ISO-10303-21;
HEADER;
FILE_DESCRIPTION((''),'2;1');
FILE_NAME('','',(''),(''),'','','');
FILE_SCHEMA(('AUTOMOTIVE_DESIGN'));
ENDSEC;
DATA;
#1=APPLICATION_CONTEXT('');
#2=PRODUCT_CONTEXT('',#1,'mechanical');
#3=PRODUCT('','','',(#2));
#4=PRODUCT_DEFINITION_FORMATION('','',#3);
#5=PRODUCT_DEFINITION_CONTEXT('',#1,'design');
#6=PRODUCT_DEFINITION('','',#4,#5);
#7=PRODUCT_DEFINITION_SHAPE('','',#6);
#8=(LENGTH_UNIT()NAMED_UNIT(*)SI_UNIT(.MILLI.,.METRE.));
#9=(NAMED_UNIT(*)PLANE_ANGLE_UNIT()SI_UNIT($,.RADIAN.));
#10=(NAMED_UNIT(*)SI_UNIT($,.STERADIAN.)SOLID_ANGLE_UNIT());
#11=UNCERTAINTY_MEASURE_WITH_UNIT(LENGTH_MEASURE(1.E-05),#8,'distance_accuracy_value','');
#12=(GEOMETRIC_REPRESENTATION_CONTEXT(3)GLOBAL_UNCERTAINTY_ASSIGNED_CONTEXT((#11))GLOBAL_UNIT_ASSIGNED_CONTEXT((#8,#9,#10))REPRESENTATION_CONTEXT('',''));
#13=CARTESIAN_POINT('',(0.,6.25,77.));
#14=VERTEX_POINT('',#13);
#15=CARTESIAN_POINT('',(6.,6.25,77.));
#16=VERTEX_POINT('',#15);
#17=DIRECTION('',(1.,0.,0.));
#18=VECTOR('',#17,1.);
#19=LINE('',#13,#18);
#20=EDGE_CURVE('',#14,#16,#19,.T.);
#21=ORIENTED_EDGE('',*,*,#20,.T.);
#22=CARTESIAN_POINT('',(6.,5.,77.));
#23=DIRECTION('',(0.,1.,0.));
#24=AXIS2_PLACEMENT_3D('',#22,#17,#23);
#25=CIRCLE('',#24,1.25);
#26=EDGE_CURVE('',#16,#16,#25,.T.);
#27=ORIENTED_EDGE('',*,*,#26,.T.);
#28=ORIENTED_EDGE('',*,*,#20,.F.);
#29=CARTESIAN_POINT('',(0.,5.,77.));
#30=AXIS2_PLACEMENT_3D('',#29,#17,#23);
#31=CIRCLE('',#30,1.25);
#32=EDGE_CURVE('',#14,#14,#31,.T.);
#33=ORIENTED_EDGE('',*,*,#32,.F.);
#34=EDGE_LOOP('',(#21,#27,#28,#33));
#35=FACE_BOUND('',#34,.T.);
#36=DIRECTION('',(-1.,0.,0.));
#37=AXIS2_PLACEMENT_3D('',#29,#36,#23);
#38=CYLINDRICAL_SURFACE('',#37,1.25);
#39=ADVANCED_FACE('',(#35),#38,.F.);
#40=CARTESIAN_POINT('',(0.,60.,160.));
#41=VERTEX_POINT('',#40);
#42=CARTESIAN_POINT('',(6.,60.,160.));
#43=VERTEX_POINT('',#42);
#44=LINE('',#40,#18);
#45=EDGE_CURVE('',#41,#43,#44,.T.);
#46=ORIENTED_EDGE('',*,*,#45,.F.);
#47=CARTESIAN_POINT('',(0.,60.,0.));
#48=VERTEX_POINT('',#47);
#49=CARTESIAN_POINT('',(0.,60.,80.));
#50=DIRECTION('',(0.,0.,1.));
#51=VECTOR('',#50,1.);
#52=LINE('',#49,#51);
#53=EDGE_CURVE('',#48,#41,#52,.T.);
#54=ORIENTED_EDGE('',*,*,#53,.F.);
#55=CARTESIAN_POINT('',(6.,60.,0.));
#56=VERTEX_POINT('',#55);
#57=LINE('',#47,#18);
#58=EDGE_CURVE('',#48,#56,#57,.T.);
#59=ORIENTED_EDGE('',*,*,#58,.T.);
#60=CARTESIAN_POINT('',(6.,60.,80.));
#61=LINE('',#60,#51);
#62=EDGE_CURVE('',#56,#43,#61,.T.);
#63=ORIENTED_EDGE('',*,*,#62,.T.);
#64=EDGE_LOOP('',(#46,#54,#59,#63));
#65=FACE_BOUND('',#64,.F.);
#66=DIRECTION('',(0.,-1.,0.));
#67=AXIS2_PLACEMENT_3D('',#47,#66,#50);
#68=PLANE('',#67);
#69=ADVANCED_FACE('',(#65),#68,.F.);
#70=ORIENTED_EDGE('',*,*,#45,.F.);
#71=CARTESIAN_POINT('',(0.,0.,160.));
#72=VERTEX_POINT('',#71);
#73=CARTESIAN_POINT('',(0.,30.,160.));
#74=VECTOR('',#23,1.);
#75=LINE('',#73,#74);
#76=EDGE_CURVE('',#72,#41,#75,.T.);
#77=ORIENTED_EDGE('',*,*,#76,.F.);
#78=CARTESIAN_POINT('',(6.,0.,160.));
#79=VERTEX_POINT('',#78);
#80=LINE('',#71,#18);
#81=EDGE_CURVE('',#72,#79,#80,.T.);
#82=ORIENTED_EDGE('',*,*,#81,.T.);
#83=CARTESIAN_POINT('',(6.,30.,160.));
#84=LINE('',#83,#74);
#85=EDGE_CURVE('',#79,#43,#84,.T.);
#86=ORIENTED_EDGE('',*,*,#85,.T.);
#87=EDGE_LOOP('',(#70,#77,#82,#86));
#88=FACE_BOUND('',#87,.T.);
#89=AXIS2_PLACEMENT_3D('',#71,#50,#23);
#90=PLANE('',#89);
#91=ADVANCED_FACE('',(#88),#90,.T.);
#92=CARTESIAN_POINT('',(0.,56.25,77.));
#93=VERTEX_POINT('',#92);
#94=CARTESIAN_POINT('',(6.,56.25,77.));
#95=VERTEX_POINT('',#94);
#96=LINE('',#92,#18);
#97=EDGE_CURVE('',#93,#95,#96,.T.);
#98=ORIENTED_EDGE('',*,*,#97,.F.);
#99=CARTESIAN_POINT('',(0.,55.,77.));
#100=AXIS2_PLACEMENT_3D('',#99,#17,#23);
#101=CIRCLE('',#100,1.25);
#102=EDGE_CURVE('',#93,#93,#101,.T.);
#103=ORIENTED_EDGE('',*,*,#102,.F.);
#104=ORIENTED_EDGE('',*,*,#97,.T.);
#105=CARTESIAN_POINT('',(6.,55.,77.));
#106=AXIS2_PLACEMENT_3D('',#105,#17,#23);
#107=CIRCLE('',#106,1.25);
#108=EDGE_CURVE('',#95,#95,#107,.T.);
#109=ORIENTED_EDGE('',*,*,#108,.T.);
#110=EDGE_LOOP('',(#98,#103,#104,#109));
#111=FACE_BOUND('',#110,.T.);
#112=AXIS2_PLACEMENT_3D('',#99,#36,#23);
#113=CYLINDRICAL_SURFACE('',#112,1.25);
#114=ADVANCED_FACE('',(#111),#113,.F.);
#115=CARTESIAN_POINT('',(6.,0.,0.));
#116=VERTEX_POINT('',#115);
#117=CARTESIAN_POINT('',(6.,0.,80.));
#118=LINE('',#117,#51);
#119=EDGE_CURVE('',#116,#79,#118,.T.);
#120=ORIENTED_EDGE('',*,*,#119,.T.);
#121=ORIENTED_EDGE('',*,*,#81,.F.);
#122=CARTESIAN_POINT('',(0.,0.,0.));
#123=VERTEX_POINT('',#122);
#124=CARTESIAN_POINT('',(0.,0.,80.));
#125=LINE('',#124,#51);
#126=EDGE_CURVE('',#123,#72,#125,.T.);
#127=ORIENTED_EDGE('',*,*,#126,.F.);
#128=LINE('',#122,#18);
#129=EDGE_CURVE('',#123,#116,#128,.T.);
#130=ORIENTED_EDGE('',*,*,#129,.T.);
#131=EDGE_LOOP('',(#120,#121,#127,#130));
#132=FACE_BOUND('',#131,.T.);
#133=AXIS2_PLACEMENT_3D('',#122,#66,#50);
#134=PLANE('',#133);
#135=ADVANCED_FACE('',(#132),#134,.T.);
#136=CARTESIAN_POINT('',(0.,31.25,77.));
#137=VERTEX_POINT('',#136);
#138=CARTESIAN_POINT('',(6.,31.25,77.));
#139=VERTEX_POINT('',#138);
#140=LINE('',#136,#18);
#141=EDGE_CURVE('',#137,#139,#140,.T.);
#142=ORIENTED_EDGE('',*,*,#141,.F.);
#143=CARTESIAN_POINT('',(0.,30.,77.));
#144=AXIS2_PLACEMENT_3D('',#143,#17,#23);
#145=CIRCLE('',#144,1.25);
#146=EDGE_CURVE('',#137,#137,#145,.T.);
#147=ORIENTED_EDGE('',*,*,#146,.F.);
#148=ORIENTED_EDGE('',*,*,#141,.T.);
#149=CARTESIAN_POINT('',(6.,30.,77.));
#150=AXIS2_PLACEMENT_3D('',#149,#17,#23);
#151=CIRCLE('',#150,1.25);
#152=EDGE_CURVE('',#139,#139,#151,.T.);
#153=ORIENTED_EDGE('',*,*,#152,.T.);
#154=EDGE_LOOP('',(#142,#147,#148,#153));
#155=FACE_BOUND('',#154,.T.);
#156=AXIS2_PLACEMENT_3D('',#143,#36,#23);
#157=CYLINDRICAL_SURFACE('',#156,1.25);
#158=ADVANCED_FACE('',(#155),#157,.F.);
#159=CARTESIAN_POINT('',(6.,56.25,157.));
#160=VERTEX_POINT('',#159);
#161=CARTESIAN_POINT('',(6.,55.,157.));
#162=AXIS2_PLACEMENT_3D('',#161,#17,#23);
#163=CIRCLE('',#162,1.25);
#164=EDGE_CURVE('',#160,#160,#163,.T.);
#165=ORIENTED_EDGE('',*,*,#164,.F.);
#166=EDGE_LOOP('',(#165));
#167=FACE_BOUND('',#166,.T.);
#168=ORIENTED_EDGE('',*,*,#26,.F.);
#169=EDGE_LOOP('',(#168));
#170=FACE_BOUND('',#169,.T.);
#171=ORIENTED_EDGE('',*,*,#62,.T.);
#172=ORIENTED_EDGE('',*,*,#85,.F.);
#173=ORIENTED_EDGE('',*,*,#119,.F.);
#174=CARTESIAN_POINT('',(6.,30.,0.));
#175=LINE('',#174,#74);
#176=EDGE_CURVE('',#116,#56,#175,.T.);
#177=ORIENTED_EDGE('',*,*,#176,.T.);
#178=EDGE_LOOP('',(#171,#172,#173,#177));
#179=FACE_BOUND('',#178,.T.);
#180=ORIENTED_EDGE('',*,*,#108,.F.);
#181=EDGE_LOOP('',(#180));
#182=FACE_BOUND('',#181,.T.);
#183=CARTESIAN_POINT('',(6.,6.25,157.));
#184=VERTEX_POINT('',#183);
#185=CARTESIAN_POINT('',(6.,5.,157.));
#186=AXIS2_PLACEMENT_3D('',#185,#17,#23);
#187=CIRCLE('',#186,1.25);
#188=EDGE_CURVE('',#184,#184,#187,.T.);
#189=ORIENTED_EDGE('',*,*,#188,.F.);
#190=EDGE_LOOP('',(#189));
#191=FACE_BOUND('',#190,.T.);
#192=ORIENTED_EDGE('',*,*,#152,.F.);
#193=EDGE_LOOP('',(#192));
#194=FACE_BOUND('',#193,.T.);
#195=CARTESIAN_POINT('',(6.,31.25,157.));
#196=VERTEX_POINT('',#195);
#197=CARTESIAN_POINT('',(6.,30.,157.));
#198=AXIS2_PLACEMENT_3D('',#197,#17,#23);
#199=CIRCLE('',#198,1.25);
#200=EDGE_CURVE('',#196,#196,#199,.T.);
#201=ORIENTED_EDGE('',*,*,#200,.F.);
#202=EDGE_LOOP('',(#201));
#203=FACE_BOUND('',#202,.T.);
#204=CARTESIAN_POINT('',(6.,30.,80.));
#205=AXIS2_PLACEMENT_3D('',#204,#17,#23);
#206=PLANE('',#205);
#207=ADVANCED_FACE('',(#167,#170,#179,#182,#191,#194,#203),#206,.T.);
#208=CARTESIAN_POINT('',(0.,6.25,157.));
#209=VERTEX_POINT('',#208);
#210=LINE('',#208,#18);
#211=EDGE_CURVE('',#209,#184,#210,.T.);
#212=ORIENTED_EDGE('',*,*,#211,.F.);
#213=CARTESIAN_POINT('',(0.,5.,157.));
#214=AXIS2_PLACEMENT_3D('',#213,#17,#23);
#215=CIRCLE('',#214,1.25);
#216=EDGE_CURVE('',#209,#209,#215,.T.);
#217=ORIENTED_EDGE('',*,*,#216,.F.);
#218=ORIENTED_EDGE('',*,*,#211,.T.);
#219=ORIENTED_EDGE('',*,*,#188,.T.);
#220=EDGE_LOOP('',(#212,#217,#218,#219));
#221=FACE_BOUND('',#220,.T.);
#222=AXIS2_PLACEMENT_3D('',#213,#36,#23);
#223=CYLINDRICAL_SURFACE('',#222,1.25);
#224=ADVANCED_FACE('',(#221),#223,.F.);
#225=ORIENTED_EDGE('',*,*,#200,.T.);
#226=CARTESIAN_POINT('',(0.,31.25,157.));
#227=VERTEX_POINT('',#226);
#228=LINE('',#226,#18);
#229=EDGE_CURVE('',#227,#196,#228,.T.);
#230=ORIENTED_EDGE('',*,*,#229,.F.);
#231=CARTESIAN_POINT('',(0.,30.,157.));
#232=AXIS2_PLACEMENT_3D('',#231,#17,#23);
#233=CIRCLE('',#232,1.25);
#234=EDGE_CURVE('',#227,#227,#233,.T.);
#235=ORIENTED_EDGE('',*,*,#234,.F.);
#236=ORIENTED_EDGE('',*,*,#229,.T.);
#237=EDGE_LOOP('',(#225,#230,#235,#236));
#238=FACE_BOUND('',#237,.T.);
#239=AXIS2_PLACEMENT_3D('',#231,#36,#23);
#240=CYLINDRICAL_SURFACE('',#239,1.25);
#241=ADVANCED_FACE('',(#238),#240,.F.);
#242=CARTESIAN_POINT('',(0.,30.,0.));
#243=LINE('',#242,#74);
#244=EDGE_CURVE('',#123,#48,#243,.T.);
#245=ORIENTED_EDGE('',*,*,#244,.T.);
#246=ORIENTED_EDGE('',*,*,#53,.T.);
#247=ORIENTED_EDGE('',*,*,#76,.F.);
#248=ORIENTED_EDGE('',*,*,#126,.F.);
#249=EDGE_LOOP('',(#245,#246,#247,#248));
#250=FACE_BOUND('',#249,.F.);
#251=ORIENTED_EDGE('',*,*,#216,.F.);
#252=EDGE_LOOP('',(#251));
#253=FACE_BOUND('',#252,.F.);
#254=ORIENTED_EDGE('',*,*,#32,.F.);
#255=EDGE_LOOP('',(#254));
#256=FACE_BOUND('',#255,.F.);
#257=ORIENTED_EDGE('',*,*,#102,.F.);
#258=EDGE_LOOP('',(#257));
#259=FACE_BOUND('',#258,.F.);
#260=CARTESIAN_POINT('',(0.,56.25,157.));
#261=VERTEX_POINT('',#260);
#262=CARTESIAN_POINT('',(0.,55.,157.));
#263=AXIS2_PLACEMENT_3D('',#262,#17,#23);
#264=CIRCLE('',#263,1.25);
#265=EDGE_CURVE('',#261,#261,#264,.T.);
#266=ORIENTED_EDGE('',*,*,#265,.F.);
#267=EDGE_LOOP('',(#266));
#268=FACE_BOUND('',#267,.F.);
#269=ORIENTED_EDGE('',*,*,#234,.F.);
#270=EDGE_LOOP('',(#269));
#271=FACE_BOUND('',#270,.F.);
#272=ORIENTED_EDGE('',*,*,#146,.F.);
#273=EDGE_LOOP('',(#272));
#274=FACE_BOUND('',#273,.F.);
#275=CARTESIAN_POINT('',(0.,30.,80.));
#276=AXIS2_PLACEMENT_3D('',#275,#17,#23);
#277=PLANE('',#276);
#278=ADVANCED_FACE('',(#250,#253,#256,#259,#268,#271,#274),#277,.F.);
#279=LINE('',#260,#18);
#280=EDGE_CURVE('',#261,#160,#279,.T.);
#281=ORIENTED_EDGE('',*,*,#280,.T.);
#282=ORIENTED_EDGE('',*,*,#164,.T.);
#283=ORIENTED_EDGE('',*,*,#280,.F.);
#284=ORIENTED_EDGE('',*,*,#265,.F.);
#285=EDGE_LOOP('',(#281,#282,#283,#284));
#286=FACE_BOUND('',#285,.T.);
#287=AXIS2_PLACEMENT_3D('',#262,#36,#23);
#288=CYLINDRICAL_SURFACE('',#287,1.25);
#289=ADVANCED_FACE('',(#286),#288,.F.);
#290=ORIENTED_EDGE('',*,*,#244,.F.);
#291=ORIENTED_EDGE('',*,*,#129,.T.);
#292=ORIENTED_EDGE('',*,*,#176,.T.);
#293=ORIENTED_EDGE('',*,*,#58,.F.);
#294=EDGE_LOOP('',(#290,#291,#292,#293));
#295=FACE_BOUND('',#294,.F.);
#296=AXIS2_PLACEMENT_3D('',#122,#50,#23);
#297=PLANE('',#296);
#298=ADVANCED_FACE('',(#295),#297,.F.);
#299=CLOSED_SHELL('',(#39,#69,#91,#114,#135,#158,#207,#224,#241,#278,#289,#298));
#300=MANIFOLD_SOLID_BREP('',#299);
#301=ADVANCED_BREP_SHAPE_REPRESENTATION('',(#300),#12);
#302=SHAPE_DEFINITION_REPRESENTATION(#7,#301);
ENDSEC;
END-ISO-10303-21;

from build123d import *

# Parameters (mm, degrees)
F0_W     = 60
F0_H     = 160
F0_R     = 1.25
F1_DEPTH = 6


with BuildPart() as f1:
    # F0 (on Right) → F1 (new body)
    with BuildSketch(Plane.YZ):
        with Locations((30, 80)):
            Rectangle(F0_W, F0_H)
        with Locations((5, 77)):
            Circle(F0_R, mode=Mode.SUBTRACT)
        with Locations((30, 77)):
            Circle(F0_R, mode=Mode.SUBTRACT)
        with Locations((55, 77)):
            Circle(F0_R, mode=Mode.SUBTRACT)
        with Locations((5, 157)):
            Circle(F0_R, mode=Mode.SUBTRACT)
        with Locations((30, 157)):
            Circle(F0_R, mode=Mode.SUBTRACT)
        with Locations((55, 157)):
            Circle(F0_R, mode=Mode.SUBTRACT)
    extrude(amount=F1_DEPTH)


solid = f1.part
